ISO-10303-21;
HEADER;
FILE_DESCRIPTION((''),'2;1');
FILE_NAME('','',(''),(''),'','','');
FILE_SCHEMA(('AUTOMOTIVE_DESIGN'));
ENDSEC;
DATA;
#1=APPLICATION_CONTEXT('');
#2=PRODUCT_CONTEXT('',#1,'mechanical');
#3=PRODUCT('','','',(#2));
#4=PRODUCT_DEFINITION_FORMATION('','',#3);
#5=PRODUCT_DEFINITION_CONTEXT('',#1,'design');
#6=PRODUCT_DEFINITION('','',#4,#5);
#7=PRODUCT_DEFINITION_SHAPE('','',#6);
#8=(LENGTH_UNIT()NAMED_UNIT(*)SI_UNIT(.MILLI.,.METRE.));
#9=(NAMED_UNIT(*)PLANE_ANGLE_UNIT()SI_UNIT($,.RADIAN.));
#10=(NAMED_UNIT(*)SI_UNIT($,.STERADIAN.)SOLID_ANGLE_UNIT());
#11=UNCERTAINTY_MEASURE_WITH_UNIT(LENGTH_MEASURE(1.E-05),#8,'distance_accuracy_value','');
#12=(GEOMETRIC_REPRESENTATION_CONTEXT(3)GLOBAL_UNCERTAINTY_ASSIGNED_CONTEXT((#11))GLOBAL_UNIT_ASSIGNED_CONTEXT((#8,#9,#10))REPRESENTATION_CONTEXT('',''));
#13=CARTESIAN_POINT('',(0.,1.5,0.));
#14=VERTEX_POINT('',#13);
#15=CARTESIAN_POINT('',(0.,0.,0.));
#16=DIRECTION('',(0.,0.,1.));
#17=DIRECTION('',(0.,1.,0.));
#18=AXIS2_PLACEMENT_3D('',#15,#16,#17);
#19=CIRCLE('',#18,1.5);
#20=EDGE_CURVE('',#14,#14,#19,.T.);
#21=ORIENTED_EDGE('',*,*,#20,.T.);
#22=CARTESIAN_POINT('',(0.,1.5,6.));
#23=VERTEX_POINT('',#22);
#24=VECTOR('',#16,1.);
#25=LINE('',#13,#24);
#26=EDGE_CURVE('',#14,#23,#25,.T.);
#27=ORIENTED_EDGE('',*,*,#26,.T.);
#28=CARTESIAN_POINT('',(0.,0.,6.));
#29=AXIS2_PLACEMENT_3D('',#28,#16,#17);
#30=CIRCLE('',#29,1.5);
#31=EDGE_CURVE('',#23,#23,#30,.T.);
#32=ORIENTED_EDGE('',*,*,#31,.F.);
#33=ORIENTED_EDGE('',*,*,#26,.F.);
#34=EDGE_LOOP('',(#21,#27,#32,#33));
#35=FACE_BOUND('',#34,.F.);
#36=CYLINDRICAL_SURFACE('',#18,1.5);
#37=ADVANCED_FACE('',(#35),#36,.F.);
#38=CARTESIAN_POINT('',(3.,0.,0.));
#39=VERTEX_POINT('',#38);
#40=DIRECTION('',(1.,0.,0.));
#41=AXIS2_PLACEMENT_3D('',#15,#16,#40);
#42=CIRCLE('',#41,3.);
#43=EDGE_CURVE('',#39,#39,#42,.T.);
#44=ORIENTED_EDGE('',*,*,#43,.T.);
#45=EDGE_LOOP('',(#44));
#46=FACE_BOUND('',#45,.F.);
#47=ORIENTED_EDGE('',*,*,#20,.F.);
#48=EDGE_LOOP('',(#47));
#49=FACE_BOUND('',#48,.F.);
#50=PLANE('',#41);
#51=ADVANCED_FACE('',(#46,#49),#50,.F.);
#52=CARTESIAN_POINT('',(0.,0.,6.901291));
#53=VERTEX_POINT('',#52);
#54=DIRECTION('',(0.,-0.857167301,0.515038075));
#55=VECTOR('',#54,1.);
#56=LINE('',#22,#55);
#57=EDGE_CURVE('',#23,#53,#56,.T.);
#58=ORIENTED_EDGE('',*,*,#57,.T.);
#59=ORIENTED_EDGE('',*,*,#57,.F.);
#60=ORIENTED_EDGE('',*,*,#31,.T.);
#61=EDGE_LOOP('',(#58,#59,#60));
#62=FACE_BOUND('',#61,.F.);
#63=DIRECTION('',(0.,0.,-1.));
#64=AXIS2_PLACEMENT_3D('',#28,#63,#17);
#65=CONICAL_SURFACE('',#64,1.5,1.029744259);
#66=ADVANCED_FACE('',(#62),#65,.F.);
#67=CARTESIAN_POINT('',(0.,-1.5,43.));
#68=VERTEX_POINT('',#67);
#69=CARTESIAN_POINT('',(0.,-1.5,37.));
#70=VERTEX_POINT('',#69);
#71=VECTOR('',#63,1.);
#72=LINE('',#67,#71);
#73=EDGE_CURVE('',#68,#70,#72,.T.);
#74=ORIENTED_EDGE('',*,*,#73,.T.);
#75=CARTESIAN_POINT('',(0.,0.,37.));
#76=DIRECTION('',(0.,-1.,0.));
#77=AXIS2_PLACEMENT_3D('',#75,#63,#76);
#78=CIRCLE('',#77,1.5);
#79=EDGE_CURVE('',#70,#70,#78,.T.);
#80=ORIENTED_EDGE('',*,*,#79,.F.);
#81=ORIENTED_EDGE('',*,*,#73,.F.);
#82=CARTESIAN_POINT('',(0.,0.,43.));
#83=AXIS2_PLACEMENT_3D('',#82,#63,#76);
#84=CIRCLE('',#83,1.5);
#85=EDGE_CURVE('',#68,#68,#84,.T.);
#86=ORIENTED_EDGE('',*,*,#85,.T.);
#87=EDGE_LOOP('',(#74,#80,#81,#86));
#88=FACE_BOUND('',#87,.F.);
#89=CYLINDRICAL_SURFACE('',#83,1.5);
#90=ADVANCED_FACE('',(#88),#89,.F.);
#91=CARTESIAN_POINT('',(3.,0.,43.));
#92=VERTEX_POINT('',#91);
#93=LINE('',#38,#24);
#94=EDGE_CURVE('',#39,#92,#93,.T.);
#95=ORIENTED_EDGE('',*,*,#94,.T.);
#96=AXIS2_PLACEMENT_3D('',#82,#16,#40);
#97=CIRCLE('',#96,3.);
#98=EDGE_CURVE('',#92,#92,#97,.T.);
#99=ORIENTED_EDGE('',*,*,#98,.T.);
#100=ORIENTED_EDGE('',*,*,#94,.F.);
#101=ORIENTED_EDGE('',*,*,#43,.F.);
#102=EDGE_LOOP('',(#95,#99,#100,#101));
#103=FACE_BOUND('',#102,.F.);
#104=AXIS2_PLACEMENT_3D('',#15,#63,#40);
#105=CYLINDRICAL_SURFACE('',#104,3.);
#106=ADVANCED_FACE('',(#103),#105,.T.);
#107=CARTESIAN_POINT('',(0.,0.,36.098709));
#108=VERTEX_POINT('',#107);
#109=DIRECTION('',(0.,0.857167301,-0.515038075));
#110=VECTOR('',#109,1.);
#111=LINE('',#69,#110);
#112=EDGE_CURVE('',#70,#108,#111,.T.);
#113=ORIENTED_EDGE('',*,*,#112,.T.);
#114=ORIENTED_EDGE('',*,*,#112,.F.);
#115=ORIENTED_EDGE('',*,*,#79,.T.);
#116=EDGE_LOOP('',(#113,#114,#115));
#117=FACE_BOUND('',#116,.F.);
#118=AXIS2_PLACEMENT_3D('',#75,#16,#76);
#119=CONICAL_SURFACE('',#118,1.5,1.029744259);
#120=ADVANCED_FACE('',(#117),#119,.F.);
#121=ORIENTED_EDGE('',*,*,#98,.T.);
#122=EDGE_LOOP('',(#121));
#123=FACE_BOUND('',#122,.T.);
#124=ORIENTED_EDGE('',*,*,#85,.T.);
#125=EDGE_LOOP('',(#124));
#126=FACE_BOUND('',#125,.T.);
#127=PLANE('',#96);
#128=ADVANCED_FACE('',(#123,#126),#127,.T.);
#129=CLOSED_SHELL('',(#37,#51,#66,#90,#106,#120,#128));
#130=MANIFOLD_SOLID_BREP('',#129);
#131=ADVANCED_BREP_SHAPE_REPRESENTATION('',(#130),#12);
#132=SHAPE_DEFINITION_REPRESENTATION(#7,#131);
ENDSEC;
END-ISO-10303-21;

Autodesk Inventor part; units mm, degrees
ref_plane "YZ Plane" through (0, 0, 0) normal (1, 0, 0) x (0, 1, 0)
ref_plane "XZ Plane" through (0, 0, 0) normal (0, 1, 0) x (-1, 0, 0)
ref_plane "XY Plane" through (0, 0, 0) normal (0, 0, 1) x (1, 0, 0)
sketch "スケッチ1" plane through (0, 0, 0) normal (0, 0, 1) x (1, 0, 0)
  circle A0 centre (0, 0) radius 3
  dimension "d0" = 6
extrude "押し出し1" add sketch "スケッチ1" along normal blind 43
hole "穴1" at (0, 0, 0) direction (0, 0, 1) diameter 3 depth 6 tip angle 118
sketch "スケッチ2" plane through (0, 0, 43) normal (0, 0, 1) x (1, 0, 0)
  circle A0 centre (0, 0) radius 3 projected
hole "穴2" at (0, 0, 43) direction (0, 0, -1) diameter 3 depth 6 tip angle 118
properties part number "スペーサ　m3-l42" material "アルミニウム 2014-T4"
